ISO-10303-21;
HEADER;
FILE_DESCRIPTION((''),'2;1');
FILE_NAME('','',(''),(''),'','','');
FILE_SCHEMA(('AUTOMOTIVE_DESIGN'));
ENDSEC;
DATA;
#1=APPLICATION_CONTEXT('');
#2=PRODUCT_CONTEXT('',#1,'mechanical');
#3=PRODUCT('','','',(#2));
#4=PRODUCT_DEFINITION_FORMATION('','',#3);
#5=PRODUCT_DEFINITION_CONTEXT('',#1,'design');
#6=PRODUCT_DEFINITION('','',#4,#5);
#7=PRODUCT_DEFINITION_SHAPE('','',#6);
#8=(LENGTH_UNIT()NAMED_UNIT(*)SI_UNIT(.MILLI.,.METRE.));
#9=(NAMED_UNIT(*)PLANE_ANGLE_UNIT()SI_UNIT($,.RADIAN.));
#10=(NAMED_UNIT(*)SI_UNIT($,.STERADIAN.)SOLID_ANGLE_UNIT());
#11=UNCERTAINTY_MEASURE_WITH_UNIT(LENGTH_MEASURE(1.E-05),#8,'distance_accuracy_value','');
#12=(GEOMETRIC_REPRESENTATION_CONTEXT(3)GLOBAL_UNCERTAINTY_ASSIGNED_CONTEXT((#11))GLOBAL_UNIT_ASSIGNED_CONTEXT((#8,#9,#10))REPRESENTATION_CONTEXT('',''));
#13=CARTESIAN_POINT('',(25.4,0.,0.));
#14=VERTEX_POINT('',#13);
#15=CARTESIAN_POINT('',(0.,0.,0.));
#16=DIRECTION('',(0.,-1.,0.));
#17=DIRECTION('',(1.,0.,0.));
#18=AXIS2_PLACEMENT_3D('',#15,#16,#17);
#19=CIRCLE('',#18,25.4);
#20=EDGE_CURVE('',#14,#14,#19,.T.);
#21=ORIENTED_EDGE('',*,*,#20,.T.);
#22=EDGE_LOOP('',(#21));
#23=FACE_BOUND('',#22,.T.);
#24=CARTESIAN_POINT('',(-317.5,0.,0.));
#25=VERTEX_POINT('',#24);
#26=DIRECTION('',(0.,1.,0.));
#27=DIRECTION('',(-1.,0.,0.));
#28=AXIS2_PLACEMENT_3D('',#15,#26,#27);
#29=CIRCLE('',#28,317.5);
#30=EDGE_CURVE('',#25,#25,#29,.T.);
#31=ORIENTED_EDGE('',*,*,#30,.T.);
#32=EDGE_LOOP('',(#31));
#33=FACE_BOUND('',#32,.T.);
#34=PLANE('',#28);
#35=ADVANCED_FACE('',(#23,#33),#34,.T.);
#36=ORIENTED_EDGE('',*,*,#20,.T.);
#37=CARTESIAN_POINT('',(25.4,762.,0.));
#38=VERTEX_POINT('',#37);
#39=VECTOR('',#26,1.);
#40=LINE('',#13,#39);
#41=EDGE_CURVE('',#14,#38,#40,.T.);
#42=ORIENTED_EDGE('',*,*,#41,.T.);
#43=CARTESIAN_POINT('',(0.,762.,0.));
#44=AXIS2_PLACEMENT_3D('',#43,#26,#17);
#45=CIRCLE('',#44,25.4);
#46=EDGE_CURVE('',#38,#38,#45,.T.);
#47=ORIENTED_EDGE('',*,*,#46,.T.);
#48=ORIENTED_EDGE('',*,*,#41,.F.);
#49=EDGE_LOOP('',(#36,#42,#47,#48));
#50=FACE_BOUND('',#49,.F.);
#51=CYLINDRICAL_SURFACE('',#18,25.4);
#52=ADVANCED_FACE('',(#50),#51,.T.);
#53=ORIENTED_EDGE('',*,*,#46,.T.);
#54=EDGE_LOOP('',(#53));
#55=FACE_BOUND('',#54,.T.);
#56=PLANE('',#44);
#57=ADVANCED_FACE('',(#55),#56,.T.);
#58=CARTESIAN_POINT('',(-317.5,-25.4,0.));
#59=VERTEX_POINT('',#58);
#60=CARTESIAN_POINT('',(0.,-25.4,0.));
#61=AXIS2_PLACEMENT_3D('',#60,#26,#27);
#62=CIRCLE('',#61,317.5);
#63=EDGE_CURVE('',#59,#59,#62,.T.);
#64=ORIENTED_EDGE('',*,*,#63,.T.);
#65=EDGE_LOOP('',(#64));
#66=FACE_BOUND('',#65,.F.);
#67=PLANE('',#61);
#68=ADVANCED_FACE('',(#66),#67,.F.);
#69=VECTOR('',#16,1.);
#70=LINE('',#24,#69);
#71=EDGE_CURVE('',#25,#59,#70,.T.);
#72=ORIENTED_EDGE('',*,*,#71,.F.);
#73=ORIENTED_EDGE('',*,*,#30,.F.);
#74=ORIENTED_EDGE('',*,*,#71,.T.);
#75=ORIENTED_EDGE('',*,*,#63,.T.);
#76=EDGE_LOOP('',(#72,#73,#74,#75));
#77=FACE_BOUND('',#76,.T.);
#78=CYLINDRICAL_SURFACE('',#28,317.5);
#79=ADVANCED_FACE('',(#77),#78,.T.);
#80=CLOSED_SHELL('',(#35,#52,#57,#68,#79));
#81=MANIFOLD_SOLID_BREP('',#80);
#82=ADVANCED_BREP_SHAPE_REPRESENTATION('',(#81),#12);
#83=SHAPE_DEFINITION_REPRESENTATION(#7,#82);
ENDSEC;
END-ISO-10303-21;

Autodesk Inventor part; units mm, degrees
ref_plane "YZ Plane" through (0, 0, 0) normal (1, 0, 0) x (0, 1, 0)
ref_plane "XZ Plane" through (0, 0, 0) normal (0, 1, 0) x (-1, 0, 0)
ref_plane "XY Plane" through (0, 0, 0) normal (0, 0, 1) x (1, 0, 0)
sketch "Sketch1" plane through (0, 0, 0) normal (0, 1, 0) x (-1, 0, 0)
  circle A0 centre (0, 0) radius 317.5
  circle A1 centre (0, 0) radius 25.4
  dimension "d0" = 635
  dimension "d1" = 50.8
extrude "Extrusion1" add sketch "Sketch1" against normal blind 25.4
sketch "Sketch2" plane through (0, 0, 0) normal (0, 1, 0) x (1, 0, 0)
  circle A0 centre (0, 0) radius 25.4
extrude "Extrusion2" add sketch "Sketch2" along normal blind 762 and the other way blind 25.4
properties part number "dispensador"
